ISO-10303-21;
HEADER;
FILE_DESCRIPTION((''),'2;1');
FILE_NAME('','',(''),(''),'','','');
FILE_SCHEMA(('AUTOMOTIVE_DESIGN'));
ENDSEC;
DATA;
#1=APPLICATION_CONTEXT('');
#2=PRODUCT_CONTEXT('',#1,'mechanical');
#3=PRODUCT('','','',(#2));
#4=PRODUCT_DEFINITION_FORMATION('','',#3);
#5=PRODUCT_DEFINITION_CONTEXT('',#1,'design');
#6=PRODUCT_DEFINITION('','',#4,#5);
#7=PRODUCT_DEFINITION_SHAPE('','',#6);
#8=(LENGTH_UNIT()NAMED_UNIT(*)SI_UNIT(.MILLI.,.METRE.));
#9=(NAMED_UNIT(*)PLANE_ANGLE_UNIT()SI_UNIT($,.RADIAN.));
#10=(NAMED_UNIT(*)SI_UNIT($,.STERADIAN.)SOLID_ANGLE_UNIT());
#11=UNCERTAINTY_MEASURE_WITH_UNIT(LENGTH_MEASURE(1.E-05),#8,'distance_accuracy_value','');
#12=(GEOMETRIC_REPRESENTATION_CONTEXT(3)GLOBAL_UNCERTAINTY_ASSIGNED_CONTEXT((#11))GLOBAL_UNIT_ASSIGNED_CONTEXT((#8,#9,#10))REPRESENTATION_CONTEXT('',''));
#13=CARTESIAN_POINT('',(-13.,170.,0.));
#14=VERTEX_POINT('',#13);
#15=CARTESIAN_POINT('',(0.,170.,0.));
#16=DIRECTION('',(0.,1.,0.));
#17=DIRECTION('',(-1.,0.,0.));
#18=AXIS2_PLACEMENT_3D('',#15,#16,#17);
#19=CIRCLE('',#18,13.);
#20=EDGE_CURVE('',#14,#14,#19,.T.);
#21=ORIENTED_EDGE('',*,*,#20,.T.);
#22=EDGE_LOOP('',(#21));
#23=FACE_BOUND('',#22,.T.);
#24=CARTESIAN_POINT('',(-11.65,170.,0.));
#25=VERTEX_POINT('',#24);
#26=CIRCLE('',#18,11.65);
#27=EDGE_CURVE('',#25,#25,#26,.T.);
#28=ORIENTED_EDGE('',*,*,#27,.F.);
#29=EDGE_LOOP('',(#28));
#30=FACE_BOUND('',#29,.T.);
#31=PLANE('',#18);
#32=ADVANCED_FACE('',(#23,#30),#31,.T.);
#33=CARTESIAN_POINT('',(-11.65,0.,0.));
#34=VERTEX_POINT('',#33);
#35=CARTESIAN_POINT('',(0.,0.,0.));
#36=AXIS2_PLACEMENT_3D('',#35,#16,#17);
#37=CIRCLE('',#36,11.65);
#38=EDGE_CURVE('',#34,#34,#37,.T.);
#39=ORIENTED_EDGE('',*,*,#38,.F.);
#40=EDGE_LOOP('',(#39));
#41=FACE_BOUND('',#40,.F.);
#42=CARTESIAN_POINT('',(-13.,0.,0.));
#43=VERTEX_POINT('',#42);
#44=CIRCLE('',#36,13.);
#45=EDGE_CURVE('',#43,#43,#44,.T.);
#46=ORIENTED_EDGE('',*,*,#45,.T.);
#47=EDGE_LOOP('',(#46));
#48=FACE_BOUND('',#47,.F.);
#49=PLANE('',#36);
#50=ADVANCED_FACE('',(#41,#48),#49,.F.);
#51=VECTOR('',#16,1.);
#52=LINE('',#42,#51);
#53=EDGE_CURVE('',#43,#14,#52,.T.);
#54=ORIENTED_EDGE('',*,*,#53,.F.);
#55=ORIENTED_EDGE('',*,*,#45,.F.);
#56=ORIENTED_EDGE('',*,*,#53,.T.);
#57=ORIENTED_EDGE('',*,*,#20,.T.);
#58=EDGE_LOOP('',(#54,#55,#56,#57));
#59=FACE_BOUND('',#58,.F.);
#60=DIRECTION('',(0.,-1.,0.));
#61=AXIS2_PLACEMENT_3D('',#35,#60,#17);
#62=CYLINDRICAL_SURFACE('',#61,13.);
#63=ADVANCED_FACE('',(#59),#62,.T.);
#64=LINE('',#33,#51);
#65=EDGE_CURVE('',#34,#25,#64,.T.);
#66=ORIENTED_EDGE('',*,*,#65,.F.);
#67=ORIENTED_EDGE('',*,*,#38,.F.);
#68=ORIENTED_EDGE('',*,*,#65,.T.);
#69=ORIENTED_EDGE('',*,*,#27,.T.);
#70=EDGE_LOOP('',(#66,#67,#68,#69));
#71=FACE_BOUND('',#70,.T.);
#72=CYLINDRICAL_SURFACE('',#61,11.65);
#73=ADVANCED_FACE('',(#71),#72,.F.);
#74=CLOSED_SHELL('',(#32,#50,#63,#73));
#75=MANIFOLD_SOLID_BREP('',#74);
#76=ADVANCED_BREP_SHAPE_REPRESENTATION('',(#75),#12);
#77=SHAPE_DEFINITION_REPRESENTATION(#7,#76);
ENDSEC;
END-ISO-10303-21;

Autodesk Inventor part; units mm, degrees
ref_plane "YZ Plane" through (0, 0, 0) normal (1, 0, 0) x (0, 1, 0)
ref_plane "XZ Plane" through (0, 0, 0) normal (0, 1, 0) x (-1, 0, 0)
ref_plane "XY Plane" through (0, 0, 0) normal (0, 0, 1) x (1, 0, 0)
sketch "Sketch1" plane through (0, 0, 0) normal (0, 1, 0) x (-1, 0, 0)
  circle A0 centre (0, 0) radius 13
  circle A1 centre (0, 0) radius 11.65
  dimension "d0" = 26
  dimension "d1" = 23.3
extrude "Extrusion1" add sketch "Sketch1" along normal blind 170
properties part number "17cm"
